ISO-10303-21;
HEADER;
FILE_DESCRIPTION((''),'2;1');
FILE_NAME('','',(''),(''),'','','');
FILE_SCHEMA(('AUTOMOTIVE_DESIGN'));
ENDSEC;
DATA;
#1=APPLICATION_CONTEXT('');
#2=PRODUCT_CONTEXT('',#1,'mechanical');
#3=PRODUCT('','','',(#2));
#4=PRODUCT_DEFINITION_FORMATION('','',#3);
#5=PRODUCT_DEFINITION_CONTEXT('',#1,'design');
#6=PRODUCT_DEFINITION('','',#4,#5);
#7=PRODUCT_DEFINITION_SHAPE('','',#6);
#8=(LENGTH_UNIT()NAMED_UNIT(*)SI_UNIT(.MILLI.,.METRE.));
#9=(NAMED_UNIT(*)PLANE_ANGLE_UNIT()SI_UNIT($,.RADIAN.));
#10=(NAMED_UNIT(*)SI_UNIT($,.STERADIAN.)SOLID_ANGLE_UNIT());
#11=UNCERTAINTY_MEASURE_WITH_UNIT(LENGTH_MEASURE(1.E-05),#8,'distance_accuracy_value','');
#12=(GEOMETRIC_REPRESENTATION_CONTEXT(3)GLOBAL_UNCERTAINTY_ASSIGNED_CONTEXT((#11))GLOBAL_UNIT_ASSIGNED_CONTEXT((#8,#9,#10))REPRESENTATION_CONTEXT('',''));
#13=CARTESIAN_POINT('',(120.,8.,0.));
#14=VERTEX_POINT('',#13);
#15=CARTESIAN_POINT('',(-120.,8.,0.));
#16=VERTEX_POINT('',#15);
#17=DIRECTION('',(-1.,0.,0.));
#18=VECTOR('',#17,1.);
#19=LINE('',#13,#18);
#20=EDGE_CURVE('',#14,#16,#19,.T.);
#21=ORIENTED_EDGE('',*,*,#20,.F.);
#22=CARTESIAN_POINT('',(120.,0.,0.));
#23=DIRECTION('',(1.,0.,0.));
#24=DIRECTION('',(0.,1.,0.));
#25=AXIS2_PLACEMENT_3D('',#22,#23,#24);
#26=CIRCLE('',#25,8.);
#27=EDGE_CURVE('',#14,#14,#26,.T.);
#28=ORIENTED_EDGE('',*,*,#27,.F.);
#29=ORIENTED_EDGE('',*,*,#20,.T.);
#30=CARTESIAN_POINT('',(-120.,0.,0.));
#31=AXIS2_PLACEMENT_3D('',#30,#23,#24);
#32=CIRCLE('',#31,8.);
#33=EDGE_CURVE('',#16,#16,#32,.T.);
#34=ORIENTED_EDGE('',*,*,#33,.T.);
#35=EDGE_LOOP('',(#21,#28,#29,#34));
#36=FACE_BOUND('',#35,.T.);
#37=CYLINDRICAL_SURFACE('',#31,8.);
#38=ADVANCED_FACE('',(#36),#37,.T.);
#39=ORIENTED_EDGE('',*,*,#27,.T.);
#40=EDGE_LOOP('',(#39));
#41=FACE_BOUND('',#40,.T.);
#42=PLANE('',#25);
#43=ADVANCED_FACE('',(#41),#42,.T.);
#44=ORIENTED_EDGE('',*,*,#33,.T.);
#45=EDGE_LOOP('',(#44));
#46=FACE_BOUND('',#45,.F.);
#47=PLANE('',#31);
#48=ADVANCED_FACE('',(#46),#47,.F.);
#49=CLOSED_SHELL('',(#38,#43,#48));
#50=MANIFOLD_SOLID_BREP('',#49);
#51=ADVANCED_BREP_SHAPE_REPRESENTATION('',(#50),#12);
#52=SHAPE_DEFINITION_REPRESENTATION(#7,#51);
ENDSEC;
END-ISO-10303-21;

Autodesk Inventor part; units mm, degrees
ref_plane "YZ Plane" through (0, 0, 0) normal (1, 0, 0) x (0, 1, 0)
ref_plane "XZ Plane" through (0, 0, 0) normal (0, 1, 0) x (-1, 0, 0)
sketch "Эскиз1" plane through (0, 0, 0) normal (0, 0, 1) x (1, 0, 0)
  line L0 (120, 8) -> (120, 0)
  line L1 (-120, 0) -> (120, 0)
  line L2 (-168, 0) -> (168, 0) projected
  line L3 (0, 9.6) -> (0, -1.6) projected
  line L4 (-120, 8) -> (-120, 0)
  line L5 (0, 8) -> (0, 0) construction
  line L6 (-168, 0) -> (168, 0) projected
  line L7 (-120, 8) -> (120, 8)
  dimension "d13" = 16
  dimension "d87" = 240
  dimension "d88" = 120
revolve "Базовый элемент" add sketch "Эскиз1" angle 360 about axis through (-120, 0, 0) along (1, 0, 0)
thread "Резьба1" size "M16x2" class "6g" standard "ISO Metric profile" length 240
ref_plane "Work Plane1" through (2.75, 0, 0) normal (0, -1, 0) x (1, 0, 0)
equation "\"d13\" = NND"
equation "\"d87\" = NLG"
equation "\"d88\" = 0.5 * NLG"
equation "\"d1\" = GEL"
equation "\"NLG\" = 240"
equation "\"GEL\" = NLG"
equation "\"GAL\" = 0.61345 * PTC"
equation "\"SPD\" = 13.271"
equation "\"d0\" = NND"
equation "\"GUL\" = 0.61345 * PTC"
equation "\"NND\" = 16"
equation "\"GUL1\" = GUL"
equation "\"GAL1\" = GAL"
equation "\"d89\" = -GEL + GUL1"
equation "\"d90\" = -GUL - GEL"
equation "\"PTC\" = 2"
equation "\"THREADDIA\" = 16"
equation "\"TOA\" = 30deg"
equation "\"GD1\" = THREADDIA - 1.2269 * PTC"
properties part number "DIN 976-1 - M16 x 240 - A" material "Сталь, мягкая"
